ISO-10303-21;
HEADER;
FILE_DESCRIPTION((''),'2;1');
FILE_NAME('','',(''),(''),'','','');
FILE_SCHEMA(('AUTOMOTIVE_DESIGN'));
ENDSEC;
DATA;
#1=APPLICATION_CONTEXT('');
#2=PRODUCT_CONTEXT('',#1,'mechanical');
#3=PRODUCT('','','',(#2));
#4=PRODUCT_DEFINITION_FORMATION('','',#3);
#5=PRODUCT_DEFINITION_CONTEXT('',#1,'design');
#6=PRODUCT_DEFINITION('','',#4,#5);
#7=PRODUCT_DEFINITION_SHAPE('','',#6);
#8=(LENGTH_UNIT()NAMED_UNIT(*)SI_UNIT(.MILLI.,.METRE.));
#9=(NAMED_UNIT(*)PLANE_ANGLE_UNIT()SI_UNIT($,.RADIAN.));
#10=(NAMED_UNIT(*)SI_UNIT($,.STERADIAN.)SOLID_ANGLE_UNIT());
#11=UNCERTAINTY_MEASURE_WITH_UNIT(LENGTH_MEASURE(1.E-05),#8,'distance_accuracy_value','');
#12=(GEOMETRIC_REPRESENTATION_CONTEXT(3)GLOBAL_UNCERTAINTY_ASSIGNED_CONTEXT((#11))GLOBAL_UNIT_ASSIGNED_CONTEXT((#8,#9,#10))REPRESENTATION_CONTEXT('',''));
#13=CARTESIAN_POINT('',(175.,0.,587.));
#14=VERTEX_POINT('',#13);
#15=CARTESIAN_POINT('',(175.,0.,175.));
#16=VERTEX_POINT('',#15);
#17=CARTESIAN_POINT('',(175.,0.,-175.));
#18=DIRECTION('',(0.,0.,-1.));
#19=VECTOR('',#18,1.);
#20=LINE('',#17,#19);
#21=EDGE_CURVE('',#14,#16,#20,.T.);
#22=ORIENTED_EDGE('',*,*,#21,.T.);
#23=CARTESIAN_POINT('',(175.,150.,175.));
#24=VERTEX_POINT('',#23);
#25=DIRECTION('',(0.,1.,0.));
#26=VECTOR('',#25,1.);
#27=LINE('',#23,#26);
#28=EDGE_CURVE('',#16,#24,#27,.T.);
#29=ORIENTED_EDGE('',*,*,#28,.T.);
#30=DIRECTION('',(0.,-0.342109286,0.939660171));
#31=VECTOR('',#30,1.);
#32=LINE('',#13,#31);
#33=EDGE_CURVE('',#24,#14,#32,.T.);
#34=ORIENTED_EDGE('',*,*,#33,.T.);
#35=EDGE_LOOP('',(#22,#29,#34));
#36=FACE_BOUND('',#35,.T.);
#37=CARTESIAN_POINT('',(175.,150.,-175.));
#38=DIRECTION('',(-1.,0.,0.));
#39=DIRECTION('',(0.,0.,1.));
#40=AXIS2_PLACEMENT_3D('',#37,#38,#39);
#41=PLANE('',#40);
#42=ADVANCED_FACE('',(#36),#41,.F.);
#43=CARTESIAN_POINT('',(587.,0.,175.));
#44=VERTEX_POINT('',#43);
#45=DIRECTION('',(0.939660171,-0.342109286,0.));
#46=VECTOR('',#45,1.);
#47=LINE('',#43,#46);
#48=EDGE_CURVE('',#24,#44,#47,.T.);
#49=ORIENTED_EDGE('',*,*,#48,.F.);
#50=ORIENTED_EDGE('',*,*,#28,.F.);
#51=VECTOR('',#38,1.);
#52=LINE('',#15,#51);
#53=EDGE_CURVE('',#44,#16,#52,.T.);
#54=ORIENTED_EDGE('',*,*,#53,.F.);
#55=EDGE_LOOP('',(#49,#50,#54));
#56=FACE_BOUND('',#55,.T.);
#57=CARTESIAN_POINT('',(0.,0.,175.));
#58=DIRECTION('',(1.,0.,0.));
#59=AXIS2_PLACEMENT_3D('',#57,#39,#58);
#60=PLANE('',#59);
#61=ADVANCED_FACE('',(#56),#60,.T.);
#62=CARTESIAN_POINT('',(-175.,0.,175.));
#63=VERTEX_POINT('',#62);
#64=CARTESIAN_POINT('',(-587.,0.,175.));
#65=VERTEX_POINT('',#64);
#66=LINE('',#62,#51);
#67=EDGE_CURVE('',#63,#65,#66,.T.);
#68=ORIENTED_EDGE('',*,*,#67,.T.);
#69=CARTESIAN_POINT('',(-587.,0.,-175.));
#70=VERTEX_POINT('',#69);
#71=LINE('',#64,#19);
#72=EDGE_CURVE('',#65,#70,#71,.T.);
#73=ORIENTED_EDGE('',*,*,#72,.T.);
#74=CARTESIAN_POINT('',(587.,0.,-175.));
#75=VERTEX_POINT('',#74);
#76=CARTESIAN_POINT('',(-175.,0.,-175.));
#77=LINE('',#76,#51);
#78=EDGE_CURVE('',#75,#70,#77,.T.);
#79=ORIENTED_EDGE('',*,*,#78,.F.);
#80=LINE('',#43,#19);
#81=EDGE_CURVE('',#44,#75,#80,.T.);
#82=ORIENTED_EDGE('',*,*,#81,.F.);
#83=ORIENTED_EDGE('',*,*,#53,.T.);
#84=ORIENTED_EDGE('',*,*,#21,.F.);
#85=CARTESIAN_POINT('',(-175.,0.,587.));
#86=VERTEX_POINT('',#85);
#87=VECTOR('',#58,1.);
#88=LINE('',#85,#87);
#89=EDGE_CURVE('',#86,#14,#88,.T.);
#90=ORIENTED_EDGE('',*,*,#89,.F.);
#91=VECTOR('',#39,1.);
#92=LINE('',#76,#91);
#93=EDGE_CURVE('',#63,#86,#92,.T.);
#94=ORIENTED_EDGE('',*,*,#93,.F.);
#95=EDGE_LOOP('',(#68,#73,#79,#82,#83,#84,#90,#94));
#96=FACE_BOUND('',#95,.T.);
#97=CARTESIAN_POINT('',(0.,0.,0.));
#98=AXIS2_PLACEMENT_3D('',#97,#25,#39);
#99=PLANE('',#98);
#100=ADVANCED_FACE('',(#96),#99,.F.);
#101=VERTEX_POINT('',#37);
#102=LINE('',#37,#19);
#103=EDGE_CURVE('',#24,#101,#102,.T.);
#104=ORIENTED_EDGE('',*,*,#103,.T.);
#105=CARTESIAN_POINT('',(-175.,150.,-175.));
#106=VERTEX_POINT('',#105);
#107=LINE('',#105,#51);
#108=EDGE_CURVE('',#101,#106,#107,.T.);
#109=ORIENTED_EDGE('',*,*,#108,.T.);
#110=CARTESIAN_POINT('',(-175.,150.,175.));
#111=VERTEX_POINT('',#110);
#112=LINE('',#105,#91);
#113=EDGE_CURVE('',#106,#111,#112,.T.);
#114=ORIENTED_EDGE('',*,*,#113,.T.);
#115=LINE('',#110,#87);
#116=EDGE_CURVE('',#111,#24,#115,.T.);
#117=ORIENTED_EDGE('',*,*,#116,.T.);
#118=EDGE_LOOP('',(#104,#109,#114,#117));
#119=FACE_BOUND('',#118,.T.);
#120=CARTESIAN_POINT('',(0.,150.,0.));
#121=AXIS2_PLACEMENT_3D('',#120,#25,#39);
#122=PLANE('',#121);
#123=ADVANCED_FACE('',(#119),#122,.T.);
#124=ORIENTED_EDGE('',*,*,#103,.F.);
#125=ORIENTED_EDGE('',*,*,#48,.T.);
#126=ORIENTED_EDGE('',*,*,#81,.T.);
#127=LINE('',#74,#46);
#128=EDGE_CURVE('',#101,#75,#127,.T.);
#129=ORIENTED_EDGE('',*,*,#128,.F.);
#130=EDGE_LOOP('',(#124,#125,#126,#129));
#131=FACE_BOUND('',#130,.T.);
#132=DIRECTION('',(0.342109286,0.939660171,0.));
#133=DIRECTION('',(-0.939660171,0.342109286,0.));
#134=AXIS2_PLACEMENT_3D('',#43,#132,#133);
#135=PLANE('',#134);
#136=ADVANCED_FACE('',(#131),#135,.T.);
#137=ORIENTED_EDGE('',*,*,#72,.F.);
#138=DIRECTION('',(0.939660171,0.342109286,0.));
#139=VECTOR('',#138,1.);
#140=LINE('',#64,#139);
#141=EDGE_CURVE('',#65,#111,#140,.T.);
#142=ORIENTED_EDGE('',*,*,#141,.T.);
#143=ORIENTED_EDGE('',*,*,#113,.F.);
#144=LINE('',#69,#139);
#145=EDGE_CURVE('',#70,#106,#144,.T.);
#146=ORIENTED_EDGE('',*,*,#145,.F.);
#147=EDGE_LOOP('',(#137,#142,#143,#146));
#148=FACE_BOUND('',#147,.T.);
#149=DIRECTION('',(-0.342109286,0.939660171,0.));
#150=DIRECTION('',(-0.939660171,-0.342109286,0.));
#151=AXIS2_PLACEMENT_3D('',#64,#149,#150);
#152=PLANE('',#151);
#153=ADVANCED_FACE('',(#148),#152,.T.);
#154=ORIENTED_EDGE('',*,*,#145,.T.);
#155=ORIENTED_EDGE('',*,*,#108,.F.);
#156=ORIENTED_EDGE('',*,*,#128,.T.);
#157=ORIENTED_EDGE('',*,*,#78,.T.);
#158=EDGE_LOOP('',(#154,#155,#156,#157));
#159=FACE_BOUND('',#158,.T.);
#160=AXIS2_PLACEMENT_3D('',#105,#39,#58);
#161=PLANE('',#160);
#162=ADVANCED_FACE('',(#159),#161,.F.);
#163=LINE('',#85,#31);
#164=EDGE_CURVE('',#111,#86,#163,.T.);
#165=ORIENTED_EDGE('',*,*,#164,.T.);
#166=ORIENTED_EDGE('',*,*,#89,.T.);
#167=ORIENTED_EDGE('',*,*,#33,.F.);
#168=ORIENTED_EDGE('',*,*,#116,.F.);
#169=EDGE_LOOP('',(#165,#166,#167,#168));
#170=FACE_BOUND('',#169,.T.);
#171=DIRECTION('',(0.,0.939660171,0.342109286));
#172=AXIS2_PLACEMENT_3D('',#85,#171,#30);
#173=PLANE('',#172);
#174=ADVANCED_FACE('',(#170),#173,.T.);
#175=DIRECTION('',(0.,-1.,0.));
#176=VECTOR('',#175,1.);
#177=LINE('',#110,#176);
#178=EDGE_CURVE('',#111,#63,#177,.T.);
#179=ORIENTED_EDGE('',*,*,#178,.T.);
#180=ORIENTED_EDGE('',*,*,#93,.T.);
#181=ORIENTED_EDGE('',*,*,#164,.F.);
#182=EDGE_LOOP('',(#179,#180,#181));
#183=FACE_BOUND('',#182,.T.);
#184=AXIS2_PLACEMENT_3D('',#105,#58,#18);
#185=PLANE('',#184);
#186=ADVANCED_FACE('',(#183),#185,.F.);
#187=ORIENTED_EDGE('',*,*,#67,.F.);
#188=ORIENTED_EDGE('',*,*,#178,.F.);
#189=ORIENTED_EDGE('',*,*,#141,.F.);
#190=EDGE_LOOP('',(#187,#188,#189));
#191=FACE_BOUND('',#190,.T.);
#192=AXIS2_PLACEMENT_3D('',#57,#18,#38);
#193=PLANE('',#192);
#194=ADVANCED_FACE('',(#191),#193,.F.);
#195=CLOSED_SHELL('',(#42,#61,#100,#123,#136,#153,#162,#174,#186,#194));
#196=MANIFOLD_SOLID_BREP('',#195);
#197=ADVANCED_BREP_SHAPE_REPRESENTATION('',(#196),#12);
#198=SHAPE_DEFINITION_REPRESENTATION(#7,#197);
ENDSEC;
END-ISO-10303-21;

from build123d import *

# Parameters (mm, degrees)
RAMPBASE_W          = 350
RAMPBASE_H          = 350
BOSS_EXTRUDE1_DEPTH = 150
BOSS_EXTRUDE3_DEPTH = 350
BOSS_EXTRUDE5_DEPTH = 350


with BuildPart() as part:
    # rampbase → Boss-Extrude1 (new body)
    with BuildSketch(Plane(origin=(0, 0, 0), x_dir=(1, 0, 0), z_dir=(0, 1, 0))):
        Rectangle(RAMPBASE_W, RAMPBASE_H)
    extrude(amount=BOSS_EXTRUDE1_DEPTH)

    # Sketch6 → Boss-Extrude3 (add)
    with BuildSketch(Plane(origin=(175, 0, 0), x_dir=(0, 0, -1), z_dir=(1, 0, 0))):
        Polygon((-175, 150), (-175, 0), (-587, 0), align=None)
    extrude(amount=-BOSS_EXTRUDE3_DEPTH)

    # Sketch7 → Boss-Extrude5 (add)
    with BuildSketch(Plane(origin=(0, 0, -175), x_dir=(-1, 0, 0), z_dir=(0, 0, -1))):
        Polygon((175, 150), (175, 0), (587, 0), align=None)
        Polygon((-175, 0), (-587, 0), (-175, 150), align=None)
    extrude(amount=-BOSS_EXTRUDE5_DEPTH)


solid = part.part
